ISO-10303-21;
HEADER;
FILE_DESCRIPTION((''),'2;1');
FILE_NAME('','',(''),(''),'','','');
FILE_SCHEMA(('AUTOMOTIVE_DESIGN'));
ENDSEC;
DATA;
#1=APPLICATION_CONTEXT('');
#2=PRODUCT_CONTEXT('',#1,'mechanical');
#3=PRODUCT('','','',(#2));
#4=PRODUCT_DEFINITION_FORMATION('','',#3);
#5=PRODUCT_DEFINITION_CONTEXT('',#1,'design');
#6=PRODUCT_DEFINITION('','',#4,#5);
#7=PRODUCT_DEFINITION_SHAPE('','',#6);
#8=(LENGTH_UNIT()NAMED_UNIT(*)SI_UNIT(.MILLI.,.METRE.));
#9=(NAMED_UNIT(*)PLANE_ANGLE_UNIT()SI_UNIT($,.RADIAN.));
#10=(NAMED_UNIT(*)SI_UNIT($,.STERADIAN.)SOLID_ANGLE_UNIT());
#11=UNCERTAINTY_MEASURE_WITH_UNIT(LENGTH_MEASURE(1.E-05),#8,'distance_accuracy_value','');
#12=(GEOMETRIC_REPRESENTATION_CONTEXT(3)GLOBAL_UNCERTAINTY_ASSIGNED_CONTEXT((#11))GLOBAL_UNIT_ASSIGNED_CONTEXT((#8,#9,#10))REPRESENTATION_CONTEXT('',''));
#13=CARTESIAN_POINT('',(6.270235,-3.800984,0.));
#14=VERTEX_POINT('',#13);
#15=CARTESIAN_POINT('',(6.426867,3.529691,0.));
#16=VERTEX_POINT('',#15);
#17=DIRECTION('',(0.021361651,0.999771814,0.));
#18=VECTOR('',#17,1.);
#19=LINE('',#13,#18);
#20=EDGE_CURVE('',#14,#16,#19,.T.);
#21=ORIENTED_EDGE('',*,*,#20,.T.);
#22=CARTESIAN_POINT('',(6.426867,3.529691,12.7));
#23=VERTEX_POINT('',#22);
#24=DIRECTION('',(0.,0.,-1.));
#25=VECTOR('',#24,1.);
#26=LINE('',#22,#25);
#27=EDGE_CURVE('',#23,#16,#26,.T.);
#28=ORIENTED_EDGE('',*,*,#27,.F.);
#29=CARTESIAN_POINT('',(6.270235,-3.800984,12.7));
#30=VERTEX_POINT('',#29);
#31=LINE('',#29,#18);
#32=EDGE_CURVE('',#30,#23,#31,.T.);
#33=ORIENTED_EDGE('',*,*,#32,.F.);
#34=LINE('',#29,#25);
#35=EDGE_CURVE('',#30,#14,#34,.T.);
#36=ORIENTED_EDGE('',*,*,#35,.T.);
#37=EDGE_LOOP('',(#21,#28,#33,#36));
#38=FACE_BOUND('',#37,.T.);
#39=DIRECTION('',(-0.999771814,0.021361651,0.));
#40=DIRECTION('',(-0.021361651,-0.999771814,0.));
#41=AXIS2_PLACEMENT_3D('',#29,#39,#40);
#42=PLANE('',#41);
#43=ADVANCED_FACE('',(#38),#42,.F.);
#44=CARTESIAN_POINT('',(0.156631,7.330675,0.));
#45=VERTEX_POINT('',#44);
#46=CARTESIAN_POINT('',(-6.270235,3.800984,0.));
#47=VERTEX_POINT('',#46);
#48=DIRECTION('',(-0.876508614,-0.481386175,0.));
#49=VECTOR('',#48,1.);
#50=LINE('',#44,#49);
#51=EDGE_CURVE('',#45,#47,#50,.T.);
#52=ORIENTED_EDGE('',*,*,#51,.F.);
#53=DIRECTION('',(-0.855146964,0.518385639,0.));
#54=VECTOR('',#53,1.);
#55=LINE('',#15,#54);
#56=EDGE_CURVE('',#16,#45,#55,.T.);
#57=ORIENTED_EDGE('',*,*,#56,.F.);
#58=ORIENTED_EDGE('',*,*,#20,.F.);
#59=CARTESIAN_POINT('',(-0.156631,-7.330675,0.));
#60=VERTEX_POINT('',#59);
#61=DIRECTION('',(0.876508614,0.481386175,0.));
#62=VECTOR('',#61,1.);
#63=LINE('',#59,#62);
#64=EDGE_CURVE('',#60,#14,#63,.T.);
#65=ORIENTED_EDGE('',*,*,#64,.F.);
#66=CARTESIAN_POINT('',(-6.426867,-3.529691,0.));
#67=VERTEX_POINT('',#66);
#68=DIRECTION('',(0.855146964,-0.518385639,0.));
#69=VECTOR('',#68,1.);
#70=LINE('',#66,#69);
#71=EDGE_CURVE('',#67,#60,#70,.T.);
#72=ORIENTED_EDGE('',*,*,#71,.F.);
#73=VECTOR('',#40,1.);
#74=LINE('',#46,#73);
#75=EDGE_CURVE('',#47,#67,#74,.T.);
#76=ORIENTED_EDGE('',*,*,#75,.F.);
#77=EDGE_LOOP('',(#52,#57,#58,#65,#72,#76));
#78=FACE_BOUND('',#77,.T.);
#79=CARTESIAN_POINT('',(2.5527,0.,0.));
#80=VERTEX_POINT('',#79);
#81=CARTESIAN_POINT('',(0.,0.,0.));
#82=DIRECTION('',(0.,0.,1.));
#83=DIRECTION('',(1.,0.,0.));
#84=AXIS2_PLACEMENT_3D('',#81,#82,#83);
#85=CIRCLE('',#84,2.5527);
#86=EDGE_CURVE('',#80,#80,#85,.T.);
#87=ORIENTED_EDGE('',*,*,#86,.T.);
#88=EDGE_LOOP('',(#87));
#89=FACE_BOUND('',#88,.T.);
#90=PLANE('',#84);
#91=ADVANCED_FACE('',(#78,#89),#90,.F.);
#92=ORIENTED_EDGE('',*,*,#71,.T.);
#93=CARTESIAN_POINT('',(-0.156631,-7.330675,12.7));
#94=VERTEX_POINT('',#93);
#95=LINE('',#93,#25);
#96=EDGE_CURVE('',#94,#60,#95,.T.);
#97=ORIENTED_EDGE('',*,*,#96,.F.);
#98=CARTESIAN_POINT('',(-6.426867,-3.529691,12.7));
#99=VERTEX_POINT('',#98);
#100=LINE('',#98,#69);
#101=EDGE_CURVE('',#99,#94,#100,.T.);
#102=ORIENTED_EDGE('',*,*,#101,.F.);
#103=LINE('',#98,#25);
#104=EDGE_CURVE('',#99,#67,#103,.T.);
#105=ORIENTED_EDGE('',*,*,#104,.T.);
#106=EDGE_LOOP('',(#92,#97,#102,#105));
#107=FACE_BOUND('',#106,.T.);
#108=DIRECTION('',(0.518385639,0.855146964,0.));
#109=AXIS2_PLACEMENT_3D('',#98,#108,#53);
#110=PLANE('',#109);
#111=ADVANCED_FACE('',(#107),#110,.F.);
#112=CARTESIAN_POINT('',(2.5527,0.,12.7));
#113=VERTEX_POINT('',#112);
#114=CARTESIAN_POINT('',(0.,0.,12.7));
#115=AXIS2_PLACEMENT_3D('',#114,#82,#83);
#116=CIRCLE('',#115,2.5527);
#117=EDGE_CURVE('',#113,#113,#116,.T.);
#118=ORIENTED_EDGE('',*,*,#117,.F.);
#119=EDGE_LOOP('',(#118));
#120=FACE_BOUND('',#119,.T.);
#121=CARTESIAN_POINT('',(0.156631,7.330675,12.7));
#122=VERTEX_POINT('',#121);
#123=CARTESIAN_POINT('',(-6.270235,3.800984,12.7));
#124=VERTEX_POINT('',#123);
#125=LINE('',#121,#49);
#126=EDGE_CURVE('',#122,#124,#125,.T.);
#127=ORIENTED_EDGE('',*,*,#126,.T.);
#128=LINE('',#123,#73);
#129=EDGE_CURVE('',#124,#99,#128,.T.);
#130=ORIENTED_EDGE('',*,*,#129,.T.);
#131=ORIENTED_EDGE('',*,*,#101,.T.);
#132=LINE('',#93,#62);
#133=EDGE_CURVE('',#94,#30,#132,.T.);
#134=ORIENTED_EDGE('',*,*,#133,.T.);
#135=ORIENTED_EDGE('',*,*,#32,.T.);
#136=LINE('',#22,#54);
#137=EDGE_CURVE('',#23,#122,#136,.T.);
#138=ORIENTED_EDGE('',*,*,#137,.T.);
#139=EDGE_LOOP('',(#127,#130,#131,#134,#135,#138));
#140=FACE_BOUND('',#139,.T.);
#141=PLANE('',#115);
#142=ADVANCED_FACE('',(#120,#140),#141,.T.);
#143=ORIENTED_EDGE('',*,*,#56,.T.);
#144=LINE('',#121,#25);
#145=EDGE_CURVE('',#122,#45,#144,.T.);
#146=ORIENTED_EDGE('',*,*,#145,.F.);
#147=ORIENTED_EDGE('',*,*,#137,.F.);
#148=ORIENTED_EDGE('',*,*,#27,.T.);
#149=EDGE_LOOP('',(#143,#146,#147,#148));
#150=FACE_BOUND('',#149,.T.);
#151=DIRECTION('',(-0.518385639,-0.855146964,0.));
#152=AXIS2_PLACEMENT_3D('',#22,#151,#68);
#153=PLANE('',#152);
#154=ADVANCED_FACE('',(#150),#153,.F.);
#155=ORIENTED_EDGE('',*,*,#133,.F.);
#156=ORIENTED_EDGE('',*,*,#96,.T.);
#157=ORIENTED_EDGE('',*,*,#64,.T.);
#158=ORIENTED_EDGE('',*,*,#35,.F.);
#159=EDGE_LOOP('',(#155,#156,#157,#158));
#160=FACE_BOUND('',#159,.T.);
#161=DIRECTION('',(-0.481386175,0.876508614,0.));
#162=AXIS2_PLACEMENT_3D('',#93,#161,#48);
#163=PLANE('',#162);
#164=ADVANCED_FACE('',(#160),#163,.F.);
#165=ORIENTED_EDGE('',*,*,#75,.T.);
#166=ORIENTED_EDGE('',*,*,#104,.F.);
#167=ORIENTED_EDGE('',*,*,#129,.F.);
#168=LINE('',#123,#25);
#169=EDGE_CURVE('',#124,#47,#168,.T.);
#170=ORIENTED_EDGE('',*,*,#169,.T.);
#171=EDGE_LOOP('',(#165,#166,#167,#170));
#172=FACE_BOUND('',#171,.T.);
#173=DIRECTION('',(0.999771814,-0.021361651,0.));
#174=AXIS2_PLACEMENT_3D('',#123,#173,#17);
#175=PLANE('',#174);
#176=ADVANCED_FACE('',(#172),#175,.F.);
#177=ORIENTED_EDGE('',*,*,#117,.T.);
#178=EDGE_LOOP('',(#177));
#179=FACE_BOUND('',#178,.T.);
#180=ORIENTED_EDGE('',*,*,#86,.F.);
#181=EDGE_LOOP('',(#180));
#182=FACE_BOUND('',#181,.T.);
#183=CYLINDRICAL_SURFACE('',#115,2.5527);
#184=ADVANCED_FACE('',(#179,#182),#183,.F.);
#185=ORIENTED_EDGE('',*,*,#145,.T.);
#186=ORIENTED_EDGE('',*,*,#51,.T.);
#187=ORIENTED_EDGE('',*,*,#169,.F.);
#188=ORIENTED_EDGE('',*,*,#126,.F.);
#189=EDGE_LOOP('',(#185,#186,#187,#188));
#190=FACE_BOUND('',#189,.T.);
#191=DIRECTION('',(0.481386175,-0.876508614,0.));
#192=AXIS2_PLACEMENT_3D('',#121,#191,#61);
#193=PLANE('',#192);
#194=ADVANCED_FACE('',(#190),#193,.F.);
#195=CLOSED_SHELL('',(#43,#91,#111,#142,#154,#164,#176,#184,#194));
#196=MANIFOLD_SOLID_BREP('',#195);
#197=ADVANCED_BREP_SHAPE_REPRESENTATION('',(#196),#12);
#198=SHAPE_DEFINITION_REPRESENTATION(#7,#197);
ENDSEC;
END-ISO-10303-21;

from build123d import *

# Parameters (mm, degrees)
BOSS_EXTRUDE1_DEPTH         = 12.7
TAP_DRILL_FOR_1_4_20_TAP1_D = 5.1054


with BuildPart() as part:
    # Sketch1 → Boss-Extrude1 (new body)
    with BuildSketch(Plane.XY):
        Polygon((6.270235486, -3.800984121), (6.426866551, 3.529691158), (0.156631065, 7.330675279), (-6.270235486, 3.800984121), (-6.426866551, -3.529691158), (-0.156631065, -7.330675279), align=None)
    extrude(amount=BOSS_EXTRUDE1_DEPTH)

    # Tap Drill for 1/4-20 Tap1 (through all)
    with Locations(Plane.XY.offset(12.7)):
        with Locations((0, 0)):
            Hole(TAP_DRILL_FOR_1_4_20_TAP1_D / 2)


solid = part.part
